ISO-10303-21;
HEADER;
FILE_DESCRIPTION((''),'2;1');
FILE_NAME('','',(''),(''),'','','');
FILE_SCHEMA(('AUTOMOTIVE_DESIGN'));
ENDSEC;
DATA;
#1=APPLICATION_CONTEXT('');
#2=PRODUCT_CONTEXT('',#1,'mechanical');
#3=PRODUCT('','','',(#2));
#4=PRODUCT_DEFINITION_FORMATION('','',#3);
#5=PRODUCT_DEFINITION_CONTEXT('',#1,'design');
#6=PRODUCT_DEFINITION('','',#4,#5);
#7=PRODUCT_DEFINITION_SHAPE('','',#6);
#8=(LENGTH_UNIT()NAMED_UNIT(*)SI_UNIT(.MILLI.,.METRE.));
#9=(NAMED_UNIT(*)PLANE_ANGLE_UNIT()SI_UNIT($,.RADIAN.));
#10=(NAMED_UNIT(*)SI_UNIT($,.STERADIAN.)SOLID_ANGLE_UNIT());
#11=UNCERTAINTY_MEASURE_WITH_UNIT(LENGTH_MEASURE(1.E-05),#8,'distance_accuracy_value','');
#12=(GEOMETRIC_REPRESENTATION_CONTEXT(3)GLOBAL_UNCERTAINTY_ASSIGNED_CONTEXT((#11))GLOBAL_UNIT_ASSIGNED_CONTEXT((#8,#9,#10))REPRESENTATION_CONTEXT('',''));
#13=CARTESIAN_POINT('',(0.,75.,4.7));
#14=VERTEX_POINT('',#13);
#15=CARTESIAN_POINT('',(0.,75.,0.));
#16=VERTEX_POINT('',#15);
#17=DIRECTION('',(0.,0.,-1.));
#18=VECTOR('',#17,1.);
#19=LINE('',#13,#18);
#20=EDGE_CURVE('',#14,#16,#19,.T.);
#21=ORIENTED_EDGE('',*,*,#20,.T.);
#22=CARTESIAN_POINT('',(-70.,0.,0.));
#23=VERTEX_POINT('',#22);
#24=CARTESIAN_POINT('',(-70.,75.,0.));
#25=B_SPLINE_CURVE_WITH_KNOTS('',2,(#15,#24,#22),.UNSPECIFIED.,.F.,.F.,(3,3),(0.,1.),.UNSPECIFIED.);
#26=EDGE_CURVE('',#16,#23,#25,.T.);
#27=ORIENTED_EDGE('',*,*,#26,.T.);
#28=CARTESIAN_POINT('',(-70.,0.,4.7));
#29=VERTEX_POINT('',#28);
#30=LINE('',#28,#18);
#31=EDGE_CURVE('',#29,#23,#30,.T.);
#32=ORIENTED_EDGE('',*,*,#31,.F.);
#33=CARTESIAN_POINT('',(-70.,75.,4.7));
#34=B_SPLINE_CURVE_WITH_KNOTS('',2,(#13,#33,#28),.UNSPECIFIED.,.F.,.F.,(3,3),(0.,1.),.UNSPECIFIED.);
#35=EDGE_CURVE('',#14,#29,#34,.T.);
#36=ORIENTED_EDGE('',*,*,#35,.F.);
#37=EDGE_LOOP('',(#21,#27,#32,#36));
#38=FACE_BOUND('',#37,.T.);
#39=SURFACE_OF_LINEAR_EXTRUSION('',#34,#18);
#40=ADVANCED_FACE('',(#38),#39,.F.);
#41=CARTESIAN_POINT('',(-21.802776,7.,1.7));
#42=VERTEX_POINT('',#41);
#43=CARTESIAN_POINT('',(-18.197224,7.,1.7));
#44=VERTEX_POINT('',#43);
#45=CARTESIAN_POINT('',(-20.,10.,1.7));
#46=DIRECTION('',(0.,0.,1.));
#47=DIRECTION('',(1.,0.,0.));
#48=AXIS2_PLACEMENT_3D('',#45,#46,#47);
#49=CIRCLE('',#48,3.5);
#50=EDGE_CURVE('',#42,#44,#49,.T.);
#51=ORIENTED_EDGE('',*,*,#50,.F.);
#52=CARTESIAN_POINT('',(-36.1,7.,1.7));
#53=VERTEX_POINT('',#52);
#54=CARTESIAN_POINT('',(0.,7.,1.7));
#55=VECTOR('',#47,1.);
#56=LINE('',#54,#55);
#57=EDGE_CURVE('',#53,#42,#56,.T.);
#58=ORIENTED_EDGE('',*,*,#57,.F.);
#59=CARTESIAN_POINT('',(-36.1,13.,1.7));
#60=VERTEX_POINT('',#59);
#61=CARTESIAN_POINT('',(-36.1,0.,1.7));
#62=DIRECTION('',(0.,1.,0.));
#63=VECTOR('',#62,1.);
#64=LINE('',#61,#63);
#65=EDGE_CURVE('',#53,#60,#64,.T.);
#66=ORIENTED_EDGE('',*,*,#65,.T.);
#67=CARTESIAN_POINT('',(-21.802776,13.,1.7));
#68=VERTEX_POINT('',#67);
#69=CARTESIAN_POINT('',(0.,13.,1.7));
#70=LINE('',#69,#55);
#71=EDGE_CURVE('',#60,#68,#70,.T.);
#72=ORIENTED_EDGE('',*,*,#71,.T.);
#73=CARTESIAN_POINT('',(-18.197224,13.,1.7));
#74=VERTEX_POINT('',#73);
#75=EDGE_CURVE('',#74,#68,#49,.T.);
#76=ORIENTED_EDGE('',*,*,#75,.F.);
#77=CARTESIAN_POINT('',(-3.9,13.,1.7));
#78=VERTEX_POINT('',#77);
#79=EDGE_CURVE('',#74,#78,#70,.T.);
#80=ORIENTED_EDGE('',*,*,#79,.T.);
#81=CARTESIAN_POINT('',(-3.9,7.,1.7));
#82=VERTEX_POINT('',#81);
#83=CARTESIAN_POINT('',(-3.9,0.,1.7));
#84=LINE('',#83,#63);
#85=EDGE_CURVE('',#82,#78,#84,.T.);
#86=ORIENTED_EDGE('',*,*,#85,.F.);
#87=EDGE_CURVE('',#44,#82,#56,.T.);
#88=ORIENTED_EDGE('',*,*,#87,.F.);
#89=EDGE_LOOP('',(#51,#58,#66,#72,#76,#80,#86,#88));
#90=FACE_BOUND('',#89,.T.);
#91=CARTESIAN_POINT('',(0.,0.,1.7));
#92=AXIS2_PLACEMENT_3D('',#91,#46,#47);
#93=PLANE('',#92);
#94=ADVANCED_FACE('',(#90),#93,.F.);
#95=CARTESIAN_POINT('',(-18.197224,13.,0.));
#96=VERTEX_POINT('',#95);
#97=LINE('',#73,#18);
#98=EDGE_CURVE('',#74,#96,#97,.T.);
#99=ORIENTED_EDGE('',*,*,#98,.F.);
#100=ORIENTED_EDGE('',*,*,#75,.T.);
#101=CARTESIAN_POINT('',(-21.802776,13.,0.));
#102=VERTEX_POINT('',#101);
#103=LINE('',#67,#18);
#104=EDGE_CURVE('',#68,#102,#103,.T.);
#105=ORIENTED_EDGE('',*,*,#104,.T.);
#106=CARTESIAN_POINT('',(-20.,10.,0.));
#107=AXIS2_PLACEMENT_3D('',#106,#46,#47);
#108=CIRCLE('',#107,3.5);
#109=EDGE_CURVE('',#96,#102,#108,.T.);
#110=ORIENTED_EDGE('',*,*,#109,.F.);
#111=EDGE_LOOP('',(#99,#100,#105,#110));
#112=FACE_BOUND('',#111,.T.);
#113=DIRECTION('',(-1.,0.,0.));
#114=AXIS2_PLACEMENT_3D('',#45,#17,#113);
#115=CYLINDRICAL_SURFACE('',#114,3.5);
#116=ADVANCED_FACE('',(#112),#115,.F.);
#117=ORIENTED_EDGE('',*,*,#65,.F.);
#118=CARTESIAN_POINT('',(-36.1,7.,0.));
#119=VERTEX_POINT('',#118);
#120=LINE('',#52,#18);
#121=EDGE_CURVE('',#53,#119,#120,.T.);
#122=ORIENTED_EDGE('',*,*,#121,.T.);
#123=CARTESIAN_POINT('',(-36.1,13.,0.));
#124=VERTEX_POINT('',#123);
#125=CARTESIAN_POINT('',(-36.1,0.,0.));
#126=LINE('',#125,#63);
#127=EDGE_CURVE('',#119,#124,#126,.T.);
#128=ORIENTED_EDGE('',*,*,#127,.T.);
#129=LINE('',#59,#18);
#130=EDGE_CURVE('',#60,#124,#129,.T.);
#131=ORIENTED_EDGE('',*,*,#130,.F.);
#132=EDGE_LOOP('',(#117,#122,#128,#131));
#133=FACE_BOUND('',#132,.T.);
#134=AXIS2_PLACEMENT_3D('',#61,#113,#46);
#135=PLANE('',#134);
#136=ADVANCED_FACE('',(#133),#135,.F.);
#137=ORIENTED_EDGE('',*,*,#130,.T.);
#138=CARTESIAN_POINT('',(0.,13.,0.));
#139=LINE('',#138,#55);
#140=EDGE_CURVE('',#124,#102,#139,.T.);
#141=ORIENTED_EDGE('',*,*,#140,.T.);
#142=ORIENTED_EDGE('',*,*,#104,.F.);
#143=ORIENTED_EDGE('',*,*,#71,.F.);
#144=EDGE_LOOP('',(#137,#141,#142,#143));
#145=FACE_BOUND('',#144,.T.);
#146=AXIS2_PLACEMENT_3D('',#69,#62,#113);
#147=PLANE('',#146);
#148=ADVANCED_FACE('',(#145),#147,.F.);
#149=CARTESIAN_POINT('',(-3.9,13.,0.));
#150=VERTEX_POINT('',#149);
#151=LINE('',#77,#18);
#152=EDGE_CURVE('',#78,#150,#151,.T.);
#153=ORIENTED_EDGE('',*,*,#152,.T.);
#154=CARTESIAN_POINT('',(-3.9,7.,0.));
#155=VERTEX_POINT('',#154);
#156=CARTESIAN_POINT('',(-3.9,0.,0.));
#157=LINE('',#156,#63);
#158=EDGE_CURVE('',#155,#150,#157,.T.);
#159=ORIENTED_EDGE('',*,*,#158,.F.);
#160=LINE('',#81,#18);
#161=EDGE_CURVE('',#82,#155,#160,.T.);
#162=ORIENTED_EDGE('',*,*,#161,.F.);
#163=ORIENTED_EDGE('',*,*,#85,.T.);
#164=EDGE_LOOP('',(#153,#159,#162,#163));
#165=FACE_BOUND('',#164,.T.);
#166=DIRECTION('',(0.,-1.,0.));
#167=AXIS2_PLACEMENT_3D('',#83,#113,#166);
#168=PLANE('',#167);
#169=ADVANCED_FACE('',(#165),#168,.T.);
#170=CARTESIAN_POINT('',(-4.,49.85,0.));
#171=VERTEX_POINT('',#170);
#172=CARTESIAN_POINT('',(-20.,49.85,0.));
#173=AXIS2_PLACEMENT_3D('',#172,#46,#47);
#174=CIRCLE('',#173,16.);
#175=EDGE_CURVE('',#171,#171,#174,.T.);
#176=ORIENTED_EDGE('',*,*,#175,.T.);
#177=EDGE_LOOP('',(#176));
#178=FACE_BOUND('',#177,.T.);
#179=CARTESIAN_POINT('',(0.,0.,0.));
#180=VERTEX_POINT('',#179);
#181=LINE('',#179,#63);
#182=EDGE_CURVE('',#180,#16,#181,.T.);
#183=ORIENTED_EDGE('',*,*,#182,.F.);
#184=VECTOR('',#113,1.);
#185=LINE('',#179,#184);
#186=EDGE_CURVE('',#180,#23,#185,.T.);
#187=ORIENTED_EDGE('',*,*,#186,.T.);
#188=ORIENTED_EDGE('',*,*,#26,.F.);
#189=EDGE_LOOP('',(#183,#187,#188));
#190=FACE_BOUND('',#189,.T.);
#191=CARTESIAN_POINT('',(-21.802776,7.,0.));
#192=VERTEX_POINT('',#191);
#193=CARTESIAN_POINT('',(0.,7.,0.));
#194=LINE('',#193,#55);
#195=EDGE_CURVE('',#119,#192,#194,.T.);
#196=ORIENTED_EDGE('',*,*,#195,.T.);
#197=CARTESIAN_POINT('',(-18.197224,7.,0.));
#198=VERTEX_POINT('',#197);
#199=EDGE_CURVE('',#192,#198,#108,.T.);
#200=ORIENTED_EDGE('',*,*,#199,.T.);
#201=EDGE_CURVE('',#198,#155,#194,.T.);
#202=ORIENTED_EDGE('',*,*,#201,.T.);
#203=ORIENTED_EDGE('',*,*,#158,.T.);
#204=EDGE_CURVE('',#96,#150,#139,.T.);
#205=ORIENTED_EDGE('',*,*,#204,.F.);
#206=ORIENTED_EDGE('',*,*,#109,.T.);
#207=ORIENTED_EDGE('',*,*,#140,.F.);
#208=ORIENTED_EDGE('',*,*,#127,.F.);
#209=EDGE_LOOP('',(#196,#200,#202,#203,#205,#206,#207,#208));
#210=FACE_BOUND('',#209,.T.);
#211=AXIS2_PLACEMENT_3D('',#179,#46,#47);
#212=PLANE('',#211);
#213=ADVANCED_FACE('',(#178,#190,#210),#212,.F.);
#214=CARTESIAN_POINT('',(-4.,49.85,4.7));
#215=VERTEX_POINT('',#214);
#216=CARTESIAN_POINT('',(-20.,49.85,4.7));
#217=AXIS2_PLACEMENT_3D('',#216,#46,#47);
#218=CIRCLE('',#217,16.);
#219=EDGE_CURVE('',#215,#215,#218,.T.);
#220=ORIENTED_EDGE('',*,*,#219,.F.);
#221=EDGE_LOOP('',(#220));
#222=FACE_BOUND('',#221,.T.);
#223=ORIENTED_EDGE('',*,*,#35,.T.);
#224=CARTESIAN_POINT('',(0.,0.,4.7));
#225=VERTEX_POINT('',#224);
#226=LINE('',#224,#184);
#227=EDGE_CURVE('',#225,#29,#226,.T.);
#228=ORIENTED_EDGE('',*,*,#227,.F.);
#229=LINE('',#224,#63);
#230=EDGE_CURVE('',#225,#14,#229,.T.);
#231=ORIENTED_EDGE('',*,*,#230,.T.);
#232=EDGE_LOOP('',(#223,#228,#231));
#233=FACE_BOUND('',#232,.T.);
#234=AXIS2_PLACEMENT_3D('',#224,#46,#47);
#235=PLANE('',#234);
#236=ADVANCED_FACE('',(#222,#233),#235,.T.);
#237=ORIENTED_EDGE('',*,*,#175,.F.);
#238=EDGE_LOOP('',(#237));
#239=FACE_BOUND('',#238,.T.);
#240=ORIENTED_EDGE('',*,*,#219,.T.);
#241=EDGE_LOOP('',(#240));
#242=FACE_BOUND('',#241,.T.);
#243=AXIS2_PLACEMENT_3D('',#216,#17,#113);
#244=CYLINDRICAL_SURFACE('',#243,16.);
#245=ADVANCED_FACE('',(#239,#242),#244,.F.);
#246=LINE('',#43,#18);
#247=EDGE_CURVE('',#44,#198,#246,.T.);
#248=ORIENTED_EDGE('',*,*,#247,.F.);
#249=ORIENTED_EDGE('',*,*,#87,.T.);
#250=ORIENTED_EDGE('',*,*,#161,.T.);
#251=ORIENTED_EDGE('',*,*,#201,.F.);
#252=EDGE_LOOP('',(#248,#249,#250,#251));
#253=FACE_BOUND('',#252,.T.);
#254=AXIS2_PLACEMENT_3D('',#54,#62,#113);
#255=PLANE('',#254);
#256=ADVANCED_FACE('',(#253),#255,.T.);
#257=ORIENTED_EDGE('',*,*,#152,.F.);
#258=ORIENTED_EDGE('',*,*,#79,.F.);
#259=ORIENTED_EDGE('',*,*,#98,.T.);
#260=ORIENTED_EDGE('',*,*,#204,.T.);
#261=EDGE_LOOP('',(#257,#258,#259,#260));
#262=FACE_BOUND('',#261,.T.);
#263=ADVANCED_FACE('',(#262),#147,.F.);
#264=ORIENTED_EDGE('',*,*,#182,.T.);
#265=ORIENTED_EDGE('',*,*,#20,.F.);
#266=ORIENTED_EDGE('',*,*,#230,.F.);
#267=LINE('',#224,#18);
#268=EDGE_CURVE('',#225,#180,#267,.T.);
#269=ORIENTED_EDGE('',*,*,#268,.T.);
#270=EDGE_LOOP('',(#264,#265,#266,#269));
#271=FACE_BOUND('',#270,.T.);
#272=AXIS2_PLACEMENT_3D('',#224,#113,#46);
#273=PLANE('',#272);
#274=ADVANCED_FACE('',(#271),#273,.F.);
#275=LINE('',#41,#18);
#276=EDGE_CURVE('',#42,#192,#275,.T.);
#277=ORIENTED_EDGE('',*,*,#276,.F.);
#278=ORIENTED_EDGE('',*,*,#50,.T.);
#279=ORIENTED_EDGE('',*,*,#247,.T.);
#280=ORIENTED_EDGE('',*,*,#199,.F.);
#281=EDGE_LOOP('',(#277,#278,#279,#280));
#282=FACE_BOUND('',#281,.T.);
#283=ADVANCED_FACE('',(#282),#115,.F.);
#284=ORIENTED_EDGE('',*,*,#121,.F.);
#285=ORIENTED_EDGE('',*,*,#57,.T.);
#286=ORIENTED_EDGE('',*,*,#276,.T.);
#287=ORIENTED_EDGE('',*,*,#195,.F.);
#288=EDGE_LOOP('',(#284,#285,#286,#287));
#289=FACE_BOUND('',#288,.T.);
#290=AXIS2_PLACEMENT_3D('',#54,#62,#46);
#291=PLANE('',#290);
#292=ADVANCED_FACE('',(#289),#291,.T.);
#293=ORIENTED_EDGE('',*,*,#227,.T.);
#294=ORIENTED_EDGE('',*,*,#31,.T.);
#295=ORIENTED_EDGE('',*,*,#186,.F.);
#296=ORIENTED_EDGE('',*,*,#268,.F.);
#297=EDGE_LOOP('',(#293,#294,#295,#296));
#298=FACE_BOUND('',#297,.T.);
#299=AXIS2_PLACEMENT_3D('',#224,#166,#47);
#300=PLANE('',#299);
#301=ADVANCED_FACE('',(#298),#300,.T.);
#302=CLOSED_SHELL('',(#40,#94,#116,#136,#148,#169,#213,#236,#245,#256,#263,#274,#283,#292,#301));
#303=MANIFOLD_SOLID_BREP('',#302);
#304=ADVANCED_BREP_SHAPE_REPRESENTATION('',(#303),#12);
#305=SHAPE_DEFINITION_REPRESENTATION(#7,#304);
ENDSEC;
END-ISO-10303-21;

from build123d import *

# Parameters (mm, degrees)
SKETCH1_R           = 16
BOSS_EXTRUDE1_DEPTH = 4.7
CUT_EXTRUDE1_DEPTH  = 1.7


with BuildPart() as part:
    # Sketch1 → Boss-Extrude1 (new body)
    with BuildSketch(Plane.XY):
        with BuildLine():
            Line((-70, 0), (0, 0))
            Line((0, 0), (0, 75))
            add(Edge.make_bspline(
                [(0, 75), (-70, 75), (-70, 0)],
                knots=[0, 0, 0, 1, 1, 1], degree=2))
        make_face()
        with Locations((-20, 49.85)):
            Circle(SKETCH1_R, mode=Mode.SUBTRACT)
    extrude(amount=BOSS_EXTRUDE1_DEPTH)

    # Sketch1<5> → Cut-Extrude1 (cut)
    with BuildSketch(Plane.XY):
        with BuildLine():
            Line((-3.9, 13), (-18.197224362, 13))
            ThreePointArc((-18.197224362, 13), (-20, 13.5), (-21.802775638, 13))
            Line((-21.802775638, 13), (-36.1, 13))
            Line((-36.1, 13), (-36.1, 7))
            Line((-36.1, 7), (-21.802775638, 7))
            ThreePointArc((-21.802775638, 7), (-20, 6.5), (-18.197224362, 7))
            Line((-18.197224362, 7), (-3.9, 7))
            Line((-3.9, 7), (-3.9, 13))
        make_face()
    extrude(amount=CUT_EXTRUDE1_DEPTH, mode=Mode.SUBTRACT)


solid = part.part
